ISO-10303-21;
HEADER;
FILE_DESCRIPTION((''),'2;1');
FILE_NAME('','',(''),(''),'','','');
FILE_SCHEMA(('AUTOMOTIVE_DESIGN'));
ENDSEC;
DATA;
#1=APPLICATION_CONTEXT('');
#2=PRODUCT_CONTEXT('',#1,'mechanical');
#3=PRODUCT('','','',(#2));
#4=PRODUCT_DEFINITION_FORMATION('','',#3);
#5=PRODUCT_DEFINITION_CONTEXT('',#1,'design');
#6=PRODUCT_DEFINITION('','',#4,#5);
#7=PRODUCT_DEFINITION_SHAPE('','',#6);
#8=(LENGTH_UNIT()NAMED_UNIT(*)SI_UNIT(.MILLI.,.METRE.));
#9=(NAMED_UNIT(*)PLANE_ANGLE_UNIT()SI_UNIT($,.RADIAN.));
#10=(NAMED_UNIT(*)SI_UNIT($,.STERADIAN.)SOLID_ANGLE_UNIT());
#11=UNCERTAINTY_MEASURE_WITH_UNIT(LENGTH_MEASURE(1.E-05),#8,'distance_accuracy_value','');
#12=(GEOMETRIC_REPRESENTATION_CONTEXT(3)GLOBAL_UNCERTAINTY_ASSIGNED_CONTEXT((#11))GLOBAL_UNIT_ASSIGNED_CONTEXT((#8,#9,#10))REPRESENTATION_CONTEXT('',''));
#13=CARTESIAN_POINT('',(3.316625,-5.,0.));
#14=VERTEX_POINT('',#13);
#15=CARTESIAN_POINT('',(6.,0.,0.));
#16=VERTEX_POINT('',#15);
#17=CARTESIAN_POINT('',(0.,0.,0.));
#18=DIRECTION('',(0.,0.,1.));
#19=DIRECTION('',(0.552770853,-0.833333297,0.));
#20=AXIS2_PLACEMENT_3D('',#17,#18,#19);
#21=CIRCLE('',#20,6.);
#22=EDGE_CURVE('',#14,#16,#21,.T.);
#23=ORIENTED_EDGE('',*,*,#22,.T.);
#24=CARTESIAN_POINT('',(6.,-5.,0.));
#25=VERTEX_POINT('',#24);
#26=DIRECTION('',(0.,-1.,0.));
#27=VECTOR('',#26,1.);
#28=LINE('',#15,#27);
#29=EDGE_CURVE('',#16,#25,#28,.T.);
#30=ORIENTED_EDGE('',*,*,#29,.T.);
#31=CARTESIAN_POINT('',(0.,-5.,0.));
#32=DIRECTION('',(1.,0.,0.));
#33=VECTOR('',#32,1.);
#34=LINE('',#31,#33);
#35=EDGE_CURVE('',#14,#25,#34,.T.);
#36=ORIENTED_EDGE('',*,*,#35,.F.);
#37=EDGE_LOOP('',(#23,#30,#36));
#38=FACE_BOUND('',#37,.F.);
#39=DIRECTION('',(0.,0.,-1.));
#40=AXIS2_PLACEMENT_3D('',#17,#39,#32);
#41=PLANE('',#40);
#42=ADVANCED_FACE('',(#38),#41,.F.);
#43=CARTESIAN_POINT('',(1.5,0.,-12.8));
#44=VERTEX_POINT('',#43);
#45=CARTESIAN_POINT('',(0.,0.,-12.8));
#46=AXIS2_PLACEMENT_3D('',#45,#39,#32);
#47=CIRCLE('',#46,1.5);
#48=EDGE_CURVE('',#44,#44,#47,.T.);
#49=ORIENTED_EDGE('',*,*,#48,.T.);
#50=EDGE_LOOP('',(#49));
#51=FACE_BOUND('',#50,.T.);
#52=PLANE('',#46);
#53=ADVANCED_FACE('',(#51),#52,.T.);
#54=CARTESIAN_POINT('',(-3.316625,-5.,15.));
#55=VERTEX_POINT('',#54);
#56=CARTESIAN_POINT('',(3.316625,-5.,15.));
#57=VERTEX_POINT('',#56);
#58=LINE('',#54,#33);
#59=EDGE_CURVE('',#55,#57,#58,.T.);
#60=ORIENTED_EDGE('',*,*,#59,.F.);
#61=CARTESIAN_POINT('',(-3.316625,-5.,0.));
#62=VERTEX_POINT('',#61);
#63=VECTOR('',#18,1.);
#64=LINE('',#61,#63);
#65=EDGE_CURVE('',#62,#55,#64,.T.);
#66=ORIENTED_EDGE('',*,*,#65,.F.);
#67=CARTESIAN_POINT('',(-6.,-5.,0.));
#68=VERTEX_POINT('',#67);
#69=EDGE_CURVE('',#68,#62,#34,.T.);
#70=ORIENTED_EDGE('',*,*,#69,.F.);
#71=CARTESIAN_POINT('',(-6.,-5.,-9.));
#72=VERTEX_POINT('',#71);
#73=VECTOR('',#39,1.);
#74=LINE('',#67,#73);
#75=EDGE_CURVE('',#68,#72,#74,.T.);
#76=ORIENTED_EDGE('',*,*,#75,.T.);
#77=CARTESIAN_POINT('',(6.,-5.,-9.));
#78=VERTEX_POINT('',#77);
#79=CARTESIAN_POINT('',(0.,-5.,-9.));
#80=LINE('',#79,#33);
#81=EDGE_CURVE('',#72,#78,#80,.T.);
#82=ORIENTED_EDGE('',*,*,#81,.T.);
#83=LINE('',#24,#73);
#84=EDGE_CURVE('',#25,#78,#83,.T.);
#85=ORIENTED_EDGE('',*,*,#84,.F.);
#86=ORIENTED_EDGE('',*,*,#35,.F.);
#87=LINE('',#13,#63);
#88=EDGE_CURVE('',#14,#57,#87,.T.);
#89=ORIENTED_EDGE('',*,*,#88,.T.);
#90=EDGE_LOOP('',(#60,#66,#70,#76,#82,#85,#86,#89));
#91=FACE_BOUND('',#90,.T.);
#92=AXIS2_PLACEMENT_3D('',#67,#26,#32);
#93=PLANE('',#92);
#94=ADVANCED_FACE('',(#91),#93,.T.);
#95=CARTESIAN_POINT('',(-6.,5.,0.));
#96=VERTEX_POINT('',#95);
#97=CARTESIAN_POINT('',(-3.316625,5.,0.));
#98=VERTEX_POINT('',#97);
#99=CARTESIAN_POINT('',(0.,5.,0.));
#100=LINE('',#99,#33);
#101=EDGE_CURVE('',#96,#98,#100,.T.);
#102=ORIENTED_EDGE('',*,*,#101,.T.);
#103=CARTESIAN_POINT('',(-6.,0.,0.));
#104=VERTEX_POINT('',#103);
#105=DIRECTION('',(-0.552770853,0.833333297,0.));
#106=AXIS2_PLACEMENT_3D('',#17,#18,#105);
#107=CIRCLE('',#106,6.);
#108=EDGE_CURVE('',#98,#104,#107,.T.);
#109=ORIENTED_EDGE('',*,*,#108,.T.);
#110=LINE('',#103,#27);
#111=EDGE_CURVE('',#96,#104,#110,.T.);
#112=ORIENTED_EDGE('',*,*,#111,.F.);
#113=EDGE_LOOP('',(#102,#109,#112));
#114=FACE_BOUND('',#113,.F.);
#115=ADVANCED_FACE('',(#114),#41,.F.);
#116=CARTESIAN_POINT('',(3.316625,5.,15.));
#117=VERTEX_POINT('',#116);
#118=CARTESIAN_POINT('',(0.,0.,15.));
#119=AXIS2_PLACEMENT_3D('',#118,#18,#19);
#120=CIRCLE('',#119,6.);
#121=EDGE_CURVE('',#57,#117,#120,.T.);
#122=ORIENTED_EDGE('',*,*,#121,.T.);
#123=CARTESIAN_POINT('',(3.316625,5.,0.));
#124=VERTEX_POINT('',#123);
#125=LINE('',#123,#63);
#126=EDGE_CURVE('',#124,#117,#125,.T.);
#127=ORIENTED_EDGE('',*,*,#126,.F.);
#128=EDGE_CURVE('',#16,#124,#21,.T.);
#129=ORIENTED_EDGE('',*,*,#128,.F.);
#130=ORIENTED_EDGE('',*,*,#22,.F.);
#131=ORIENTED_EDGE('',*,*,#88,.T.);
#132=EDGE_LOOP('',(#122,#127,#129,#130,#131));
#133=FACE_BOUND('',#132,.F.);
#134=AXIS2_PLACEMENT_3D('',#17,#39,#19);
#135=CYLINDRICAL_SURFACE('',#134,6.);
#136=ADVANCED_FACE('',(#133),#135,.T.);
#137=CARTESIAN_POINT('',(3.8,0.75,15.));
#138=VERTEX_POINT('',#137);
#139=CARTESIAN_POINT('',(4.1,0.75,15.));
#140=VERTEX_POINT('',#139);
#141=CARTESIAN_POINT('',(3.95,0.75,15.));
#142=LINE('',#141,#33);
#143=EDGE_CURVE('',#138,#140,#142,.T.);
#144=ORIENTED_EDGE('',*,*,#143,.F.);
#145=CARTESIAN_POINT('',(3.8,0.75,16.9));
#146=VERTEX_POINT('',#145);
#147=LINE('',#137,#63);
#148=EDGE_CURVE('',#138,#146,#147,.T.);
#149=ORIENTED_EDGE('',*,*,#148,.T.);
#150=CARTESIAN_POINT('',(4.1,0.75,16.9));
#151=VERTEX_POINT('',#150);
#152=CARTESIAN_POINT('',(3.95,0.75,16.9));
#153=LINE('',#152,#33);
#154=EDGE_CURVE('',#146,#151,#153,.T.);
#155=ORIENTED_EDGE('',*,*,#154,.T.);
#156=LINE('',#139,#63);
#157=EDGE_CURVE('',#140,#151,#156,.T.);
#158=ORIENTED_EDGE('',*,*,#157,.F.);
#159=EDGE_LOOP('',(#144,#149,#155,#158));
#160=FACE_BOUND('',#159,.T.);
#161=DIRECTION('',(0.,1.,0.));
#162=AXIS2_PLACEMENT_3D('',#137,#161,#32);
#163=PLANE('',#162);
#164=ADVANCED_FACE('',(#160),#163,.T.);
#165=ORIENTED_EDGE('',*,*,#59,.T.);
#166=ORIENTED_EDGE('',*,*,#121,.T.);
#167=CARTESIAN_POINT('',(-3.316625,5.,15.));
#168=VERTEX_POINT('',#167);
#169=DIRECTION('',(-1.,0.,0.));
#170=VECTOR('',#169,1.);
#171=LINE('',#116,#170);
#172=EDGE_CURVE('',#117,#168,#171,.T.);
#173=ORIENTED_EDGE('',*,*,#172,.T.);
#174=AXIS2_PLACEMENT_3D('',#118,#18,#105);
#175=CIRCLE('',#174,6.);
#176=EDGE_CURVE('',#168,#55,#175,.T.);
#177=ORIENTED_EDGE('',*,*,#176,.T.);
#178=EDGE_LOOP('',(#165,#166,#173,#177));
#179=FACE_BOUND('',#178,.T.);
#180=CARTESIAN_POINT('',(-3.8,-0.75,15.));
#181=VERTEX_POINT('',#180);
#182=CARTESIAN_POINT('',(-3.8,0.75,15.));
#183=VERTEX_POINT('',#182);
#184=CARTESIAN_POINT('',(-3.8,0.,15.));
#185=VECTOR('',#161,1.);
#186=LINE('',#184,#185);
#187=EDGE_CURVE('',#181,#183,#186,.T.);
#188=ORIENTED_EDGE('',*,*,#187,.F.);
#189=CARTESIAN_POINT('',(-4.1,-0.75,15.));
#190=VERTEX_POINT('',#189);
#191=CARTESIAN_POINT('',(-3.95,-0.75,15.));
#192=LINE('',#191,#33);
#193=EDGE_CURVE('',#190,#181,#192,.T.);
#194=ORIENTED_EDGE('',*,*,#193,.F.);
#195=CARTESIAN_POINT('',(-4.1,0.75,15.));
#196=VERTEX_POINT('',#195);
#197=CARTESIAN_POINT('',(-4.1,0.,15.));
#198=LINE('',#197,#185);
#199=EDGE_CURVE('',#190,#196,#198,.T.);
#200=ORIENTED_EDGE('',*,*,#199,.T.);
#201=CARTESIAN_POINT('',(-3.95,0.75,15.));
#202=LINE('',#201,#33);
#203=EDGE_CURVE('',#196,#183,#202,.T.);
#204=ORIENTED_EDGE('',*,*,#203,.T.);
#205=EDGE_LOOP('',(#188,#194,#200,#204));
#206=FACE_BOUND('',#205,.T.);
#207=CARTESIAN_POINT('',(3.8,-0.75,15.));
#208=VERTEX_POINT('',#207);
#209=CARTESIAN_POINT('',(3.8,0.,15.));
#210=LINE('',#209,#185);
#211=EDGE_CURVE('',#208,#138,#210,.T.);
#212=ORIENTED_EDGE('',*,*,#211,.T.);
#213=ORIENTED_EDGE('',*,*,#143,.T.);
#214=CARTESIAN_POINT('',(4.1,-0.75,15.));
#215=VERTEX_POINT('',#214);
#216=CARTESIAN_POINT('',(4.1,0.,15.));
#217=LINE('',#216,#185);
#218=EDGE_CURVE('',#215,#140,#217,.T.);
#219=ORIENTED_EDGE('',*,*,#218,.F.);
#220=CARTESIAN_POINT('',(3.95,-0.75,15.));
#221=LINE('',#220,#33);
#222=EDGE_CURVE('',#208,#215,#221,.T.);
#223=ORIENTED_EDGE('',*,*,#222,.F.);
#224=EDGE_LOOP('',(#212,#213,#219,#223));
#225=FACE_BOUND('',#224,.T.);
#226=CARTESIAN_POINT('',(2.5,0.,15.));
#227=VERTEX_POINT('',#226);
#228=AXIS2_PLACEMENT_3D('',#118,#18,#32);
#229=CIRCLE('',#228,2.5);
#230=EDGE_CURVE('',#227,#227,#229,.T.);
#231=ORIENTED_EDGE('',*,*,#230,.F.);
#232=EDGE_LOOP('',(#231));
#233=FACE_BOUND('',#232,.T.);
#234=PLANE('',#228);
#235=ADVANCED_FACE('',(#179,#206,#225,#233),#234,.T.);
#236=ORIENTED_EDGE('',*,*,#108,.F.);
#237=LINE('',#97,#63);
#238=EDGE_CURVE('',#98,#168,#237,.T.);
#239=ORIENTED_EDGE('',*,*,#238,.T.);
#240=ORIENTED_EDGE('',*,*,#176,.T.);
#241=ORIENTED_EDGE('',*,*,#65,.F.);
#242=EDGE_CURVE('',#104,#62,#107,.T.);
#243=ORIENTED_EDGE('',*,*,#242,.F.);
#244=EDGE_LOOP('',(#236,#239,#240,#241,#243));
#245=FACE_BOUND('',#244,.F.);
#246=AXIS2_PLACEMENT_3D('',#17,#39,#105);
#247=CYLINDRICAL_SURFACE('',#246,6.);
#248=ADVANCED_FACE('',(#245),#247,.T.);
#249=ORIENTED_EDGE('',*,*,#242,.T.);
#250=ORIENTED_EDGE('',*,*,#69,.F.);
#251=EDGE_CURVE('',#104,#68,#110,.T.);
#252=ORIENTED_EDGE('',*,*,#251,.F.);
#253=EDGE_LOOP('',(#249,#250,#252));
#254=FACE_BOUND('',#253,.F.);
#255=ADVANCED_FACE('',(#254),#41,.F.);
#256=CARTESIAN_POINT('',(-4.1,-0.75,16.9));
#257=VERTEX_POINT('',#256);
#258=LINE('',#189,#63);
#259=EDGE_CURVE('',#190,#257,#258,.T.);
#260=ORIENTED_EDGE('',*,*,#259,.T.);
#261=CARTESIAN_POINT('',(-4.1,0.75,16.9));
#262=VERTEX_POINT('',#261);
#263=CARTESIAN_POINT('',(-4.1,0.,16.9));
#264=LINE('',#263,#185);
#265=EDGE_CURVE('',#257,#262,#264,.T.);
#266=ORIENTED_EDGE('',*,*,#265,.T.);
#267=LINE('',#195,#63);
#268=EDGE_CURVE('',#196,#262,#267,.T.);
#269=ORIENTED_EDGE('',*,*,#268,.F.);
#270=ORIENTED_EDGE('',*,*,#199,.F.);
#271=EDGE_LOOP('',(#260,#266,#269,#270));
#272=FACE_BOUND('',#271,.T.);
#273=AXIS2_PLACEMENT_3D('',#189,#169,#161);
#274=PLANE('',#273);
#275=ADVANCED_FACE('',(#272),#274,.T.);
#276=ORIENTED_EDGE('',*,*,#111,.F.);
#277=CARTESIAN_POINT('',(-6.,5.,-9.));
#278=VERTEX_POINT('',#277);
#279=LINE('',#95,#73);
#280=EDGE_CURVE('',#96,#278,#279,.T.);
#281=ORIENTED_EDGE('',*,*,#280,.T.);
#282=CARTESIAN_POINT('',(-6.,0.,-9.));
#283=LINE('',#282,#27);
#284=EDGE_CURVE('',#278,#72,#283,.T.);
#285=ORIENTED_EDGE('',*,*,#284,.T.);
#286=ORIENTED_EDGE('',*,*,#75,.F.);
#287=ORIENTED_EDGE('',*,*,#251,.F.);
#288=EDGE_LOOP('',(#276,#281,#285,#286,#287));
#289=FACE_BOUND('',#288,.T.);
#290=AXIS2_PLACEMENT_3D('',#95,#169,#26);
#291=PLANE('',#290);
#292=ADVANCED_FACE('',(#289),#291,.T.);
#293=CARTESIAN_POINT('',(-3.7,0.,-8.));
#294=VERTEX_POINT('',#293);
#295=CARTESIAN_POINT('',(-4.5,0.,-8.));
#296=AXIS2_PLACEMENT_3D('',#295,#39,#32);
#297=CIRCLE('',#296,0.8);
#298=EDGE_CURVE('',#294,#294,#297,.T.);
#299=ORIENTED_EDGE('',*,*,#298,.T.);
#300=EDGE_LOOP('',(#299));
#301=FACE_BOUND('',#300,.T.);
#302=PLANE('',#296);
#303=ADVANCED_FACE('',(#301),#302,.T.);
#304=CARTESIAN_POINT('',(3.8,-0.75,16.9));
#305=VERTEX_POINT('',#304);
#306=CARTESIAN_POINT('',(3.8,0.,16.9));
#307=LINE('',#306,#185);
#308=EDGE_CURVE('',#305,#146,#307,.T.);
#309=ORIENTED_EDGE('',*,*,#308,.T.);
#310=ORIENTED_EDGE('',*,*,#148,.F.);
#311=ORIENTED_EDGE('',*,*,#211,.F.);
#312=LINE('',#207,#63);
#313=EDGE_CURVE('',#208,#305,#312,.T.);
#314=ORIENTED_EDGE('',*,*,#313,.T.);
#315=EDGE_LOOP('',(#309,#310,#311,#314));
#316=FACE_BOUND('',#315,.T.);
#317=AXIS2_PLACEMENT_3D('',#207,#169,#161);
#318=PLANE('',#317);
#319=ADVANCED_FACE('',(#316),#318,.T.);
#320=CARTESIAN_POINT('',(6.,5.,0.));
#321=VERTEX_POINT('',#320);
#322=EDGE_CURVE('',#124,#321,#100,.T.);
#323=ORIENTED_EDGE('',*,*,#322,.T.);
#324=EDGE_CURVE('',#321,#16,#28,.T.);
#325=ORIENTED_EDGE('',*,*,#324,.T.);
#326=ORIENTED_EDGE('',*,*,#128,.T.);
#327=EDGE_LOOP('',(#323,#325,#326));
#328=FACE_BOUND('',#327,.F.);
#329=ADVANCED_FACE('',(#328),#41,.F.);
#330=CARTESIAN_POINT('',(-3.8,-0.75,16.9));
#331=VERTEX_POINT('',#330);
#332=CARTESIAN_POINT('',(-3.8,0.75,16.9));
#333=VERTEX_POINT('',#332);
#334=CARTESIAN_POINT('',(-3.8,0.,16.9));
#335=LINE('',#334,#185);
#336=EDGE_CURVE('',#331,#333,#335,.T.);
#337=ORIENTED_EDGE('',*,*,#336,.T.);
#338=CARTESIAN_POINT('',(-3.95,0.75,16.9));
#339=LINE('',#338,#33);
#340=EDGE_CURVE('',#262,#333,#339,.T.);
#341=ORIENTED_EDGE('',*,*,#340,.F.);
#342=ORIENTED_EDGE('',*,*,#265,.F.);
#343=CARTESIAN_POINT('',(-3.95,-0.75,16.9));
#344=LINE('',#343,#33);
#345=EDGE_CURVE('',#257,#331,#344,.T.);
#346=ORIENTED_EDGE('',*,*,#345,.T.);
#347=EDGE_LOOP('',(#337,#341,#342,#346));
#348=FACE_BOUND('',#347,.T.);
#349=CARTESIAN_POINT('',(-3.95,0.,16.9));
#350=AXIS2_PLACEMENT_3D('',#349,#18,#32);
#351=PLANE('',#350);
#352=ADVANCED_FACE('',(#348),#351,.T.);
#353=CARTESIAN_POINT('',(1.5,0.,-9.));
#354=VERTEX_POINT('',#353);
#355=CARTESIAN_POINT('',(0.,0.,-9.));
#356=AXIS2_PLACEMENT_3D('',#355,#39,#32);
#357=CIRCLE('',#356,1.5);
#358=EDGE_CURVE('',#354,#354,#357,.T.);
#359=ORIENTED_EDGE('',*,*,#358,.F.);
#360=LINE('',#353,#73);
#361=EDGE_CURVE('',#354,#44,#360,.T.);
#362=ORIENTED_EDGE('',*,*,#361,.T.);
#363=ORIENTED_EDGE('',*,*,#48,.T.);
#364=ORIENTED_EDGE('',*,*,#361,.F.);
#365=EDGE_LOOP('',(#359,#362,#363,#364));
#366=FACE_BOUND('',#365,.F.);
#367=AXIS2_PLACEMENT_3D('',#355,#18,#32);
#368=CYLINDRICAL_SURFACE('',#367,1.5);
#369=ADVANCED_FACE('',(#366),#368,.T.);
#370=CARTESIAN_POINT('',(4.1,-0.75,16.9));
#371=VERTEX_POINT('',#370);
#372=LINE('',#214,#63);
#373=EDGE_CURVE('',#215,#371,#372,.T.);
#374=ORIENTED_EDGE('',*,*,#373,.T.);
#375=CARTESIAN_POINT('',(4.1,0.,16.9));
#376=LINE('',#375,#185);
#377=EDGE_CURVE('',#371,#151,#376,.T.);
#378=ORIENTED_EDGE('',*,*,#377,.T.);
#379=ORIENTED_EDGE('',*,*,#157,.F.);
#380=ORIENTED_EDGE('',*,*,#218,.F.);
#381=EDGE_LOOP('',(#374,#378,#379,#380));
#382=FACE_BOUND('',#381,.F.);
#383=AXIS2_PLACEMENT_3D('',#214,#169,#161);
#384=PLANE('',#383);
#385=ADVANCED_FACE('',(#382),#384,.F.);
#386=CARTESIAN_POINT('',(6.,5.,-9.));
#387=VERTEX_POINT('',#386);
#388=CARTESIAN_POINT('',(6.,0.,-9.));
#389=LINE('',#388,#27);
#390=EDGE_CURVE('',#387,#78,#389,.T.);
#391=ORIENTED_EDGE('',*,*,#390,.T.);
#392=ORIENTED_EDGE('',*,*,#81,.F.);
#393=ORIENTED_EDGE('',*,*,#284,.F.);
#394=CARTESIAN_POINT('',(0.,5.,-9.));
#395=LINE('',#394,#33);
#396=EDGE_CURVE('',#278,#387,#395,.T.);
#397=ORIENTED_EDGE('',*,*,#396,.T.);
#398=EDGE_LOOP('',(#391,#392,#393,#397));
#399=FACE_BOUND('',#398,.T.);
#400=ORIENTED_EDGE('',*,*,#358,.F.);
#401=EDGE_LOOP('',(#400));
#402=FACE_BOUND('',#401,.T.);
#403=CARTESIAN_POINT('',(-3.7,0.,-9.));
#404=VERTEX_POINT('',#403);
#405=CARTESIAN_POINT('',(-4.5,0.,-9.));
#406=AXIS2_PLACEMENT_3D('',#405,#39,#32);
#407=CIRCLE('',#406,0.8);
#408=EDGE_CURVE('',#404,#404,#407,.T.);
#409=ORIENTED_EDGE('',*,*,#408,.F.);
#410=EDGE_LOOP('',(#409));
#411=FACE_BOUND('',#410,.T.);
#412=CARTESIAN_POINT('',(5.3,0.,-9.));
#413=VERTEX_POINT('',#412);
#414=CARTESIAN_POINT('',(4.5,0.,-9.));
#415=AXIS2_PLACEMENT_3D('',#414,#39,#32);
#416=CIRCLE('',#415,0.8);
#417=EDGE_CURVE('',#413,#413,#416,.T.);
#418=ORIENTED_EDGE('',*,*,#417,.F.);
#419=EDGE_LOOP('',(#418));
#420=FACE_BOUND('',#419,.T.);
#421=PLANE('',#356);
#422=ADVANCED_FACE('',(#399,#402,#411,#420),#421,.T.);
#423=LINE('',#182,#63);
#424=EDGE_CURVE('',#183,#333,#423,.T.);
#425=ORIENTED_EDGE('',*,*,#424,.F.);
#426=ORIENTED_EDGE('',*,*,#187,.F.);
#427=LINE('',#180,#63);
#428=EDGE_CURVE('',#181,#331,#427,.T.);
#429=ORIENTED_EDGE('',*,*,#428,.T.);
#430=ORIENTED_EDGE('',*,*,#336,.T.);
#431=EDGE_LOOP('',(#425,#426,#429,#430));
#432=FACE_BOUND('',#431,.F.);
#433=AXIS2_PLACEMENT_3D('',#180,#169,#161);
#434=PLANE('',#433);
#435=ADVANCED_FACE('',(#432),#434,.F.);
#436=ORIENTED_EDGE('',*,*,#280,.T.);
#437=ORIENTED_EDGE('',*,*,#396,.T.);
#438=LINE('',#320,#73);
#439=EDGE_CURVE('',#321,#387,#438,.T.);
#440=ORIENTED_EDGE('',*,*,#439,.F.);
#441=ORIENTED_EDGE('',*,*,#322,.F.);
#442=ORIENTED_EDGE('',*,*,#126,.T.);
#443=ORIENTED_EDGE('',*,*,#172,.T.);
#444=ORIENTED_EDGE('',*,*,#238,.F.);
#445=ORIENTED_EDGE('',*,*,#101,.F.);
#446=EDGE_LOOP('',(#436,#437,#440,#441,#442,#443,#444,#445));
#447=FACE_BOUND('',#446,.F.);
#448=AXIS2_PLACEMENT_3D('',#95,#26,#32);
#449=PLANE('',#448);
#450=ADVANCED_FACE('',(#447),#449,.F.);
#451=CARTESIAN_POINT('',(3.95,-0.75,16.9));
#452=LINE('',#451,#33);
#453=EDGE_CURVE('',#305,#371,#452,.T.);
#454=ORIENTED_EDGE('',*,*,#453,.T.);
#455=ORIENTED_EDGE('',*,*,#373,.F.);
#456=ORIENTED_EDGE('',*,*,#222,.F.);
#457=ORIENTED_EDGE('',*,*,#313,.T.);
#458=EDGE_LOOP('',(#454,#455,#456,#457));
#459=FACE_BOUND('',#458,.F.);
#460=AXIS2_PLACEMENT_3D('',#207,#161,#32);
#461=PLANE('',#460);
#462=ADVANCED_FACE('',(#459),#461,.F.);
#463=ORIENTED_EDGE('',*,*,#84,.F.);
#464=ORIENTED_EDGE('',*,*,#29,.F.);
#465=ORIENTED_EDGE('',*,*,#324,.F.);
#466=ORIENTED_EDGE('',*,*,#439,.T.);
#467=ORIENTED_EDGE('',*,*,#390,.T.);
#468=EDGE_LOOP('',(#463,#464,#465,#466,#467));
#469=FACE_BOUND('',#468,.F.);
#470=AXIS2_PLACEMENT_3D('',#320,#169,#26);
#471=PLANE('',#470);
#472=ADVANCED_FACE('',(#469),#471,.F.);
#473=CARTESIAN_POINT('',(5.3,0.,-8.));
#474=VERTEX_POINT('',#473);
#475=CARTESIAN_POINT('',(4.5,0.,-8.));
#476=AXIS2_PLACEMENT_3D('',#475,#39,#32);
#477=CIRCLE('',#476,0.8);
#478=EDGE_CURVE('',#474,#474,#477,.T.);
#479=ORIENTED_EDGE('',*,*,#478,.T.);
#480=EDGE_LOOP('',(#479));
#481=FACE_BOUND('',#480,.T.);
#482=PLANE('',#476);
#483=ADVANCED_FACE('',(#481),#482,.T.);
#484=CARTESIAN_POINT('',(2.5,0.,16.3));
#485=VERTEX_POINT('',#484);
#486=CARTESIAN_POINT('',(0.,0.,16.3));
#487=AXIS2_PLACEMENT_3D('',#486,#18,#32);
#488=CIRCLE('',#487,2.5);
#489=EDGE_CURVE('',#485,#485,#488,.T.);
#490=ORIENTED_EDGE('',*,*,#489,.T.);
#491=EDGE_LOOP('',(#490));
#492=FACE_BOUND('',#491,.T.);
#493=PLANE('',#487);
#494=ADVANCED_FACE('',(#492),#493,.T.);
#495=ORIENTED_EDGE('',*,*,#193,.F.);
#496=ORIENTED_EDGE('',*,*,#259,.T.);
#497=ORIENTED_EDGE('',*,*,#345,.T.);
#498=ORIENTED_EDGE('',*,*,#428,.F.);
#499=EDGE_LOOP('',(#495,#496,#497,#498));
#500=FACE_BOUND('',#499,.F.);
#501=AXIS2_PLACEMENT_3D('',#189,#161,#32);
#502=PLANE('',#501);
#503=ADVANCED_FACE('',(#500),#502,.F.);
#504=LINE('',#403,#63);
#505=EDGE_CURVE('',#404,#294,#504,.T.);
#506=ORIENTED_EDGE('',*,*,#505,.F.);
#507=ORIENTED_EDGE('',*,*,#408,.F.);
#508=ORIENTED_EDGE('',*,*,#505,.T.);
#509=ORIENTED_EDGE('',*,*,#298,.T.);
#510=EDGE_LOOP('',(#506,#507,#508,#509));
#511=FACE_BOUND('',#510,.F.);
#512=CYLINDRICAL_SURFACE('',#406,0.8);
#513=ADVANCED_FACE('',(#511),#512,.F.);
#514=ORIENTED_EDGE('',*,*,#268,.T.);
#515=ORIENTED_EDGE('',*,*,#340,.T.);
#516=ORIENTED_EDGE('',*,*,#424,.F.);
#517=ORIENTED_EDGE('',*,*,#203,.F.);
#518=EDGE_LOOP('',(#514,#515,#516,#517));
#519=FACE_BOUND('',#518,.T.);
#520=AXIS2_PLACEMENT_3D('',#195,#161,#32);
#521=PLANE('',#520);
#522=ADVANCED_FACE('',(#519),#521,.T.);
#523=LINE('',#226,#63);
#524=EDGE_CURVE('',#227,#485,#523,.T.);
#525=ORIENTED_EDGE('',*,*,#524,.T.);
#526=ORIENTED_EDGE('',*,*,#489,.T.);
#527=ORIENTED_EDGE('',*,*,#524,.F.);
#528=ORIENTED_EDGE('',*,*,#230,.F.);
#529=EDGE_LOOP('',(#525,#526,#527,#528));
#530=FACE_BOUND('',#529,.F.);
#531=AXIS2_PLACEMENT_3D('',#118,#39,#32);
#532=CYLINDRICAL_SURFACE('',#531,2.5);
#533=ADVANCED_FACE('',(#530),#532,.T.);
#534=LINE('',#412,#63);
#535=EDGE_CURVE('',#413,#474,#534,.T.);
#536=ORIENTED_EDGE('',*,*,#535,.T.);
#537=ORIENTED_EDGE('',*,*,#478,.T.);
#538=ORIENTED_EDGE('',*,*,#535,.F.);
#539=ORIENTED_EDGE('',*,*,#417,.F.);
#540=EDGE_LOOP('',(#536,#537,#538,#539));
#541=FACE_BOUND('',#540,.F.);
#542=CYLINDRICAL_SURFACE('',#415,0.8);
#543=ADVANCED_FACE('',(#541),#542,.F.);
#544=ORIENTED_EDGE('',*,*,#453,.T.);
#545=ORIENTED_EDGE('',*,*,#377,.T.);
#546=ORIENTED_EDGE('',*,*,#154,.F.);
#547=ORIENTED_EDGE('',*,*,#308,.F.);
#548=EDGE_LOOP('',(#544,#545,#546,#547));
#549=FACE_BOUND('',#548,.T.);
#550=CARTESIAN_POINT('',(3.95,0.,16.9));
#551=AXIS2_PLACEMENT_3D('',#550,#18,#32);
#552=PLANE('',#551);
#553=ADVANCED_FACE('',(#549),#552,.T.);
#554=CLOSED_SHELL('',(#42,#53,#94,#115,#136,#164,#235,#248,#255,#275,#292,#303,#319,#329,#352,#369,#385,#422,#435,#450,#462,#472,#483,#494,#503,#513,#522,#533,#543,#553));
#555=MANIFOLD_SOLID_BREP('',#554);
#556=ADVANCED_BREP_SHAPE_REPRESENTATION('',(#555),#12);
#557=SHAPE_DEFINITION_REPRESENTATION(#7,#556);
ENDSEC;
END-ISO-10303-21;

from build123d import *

# Parameters (mm, degrees)
F1_DEPTH  = 15
F2_W      = 12
F2_H      = 10
F3_DEPTH  = 9
F4_R      = 0.8
F5_DEPTH  = 1
F6_R      = 1.5
F7_DEPTH  = 3.8
F8_R      = 2.5
F9_DEPTH  = 1.3
F10_W     = 0.3
F10_H     = 1.5
F11_DEPTH = 1.9


with BuildPart() as f1:
    # F0 (on Top) → F1 (new body)
    with BuildSketch(Plane.XY):
        with BuildLine():
            Line((3.316625, 5), (-3.316625, 5))
            ThreePointArc((-3.316625, 5), (-6, 0), (-3.316625, -5))
            Line((-3.316625, -5), (3.316625, -5))
            ThreePointArc((3.316625, -5), (6, 0), (3.316625, 5))
        make_face()
    extrude(amount=F1_DEPTH)

    # F2 (on face) → F3 (join)
    with BuildSketch(Plane(origin=(0, 0, 0), x_dir=(1, 0, 0), z_dir=(0, 0, -1))):
        Rectangle(F2_W, F2_H)
    extrude(amount=F3_DEPTH)

    # F4 (on face) → F5 (cut)
    with BuildSketch(Plane(origin=(0, 0, -9), x_dir=(1, 0, 0), z_dir=(0, 0, -1))):
        with Locations((-4.5, 0)):
            Circle(F4_R)
        with Locations((4.5, 0)):
            Circle(F4_R)
    extrude(amount=-F5_DEPTH, mode=Mode.SUBTRACT)

    # F6 (on face) → F7 (join)
    with BuildSketch(Plane(origin=(0, 0, -9), x_dir=(1, 0, 0), z_dir=(0, 0, -1))):
        Circle(F6_R)
    extrude(amount=F7_DEPTH)

    # F8 (on face) → F9 (join)
    with BuildSketch(Plane.XY.offset(15)):
        Circle(F8_R)
    extrude(amount=F9_DEPTH)

    # F10 (on face) → F11 (join)
    with BuildSketch(Plane.XY.offset(15)):
        with Locations((3.95, 0)):
            Rectangle(F10_W, F10_H)
        with Locations((-3.95, 0)):
            Rectangle(F10_W, F10_H)
    extrude(amount=F11_DEPTH)


solid = f1.part
